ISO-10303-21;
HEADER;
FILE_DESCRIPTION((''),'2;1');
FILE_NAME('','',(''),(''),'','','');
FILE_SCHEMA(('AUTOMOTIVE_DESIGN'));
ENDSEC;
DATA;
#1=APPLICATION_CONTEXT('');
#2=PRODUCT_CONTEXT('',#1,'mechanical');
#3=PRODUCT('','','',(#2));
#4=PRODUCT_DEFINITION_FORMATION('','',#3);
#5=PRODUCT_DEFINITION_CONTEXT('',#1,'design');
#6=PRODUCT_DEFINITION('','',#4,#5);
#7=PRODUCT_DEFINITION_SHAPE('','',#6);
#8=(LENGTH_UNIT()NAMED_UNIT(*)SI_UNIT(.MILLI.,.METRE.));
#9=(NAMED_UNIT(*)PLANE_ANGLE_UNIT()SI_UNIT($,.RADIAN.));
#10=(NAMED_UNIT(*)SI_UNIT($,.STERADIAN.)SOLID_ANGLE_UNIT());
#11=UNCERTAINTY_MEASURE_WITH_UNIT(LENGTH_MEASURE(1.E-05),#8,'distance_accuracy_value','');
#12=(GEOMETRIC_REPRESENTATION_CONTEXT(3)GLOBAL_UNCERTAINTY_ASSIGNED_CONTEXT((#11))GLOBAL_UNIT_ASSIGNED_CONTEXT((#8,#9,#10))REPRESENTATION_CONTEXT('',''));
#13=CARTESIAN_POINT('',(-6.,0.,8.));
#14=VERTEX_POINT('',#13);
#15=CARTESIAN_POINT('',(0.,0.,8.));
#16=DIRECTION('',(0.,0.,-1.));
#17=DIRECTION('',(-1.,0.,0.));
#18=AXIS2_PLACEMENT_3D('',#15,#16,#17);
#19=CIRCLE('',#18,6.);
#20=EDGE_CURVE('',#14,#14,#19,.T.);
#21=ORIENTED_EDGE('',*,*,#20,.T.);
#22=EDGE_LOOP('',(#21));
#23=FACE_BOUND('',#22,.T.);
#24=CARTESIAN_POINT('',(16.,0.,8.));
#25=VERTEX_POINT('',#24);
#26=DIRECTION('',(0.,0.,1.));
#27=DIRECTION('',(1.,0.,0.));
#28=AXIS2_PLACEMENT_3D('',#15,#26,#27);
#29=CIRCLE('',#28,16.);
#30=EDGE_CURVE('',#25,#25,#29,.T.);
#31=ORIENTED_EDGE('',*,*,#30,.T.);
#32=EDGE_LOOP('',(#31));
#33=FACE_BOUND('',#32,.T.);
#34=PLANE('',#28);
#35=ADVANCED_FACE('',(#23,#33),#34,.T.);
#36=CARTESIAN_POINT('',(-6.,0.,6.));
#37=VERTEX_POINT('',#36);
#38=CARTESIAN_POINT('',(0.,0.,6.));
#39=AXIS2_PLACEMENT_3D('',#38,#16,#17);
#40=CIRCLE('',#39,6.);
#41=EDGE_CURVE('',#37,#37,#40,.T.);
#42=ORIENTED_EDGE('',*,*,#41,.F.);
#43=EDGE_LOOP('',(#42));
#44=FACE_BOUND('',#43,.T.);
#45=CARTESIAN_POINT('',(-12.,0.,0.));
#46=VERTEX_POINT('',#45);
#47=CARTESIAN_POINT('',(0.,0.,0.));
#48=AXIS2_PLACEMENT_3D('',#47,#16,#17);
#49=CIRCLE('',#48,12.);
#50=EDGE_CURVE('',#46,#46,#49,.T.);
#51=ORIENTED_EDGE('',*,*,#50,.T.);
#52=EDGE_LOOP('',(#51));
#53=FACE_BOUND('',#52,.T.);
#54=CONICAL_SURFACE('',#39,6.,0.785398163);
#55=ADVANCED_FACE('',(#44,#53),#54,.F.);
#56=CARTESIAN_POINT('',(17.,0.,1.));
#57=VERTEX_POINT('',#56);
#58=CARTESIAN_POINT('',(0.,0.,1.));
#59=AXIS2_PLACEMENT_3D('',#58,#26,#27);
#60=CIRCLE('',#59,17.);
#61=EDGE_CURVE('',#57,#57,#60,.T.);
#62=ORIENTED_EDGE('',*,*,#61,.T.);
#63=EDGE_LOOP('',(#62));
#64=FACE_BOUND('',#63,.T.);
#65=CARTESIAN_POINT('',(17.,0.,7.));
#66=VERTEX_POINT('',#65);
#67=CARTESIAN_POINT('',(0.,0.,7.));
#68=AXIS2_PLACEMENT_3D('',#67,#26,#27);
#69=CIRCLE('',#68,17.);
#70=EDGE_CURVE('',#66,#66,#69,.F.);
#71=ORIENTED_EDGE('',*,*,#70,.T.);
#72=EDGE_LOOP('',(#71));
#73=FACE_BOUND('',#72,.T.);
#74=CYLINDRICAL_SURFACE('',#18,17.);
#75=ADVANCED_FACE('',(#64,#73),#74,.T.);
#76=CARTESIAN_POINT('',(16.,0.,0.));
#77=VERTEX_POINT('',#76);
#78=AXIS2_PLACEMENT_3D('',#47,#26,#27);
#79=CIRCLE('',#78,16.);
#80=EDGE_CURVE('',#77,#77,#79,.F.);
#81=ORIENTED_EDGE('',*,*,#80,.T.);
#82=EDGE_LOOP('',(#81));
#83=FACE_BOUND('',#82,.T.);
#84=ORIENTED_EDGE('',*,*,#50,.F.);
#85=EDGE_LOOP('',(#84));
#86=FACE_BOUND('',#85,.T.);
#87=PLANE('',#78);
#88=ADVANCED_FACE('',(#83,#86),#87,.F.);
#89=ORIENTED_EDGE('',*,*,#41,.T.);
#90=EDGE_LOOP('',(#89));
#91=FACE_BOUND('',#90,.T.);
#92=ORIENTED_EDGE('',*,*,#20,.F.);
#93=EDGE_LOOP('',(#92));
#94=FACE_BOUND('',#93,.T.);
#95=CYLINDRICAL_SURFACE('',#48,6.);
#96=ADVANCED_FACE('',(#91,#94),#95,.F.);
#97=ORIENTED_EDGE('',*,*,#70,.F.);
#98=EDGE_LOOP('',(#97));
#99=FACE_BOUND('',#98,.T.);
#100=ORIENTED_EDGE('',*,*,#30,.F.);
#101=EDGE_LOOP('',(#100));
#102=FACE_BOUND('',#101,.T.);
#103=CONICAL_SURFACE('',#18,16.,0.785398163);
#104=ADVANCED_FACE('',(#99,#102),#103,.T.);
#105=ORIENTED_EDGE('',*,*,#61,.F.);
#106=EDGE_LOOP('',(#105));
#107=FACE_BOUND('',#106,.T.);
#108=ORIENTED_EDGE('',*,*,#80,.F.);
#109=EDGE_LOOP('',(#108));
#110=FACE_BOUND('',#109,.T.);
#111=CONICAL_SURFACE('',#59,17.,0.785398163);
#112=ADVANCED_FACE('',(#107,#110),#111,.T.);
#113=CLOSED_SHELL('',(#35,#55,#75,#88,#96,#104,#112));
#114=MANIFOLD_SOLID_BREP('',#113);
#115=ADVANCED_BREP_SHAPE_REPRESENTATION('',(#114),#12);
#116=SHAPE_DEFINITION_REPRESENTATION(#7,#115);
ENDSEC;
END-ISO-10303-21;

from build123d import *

# Parameters (mm, degrees)
SKETCH1_R           = 17
BOSS_EXTRUDE2_DEPTH = 8
CHAMFER1_SIZE       = 1


with BuildPart() as part:
    # Sketch1 → Boss-Extrude2 (new body)
    with BuildSketch(Plane.XY):
        Circle(SKETCH1_R)
    extrude(amount=BOSS_EXTRUDE2_DEPTH)

    # Sketch3 → Cut-Revolve2 (revolve, cut)
    with BuildSketch(Plane(origin=(0, 0, 0), x_dir=(1, 0, 0), z_dir=(0, 1, 0)), mode=Mode.PRIVATE) as cut_revolve2_sk:
        Polygon((0, 0), (0, -8), (6, -8), (6, -6), (12, 0), align=None)
    revolve(cut_revolve2_sk.sketch.rotate(Axis((0, 0, 0), (0, 0, 1)), 180), axis=Axis((0, 0, 0), (0, 0, 1)), mode=Mode.SUBTRACT)

    # Chamfer1
    chamfer1_edges = [part.edges().sort_by_distance(p)[0] for p in [
        (-17, 0, 0),
        (-17, 0, 8),
    ]]
    chamfer(chamfer1_edges, length=CHAMFER1_SIZE)


solid = part.part
